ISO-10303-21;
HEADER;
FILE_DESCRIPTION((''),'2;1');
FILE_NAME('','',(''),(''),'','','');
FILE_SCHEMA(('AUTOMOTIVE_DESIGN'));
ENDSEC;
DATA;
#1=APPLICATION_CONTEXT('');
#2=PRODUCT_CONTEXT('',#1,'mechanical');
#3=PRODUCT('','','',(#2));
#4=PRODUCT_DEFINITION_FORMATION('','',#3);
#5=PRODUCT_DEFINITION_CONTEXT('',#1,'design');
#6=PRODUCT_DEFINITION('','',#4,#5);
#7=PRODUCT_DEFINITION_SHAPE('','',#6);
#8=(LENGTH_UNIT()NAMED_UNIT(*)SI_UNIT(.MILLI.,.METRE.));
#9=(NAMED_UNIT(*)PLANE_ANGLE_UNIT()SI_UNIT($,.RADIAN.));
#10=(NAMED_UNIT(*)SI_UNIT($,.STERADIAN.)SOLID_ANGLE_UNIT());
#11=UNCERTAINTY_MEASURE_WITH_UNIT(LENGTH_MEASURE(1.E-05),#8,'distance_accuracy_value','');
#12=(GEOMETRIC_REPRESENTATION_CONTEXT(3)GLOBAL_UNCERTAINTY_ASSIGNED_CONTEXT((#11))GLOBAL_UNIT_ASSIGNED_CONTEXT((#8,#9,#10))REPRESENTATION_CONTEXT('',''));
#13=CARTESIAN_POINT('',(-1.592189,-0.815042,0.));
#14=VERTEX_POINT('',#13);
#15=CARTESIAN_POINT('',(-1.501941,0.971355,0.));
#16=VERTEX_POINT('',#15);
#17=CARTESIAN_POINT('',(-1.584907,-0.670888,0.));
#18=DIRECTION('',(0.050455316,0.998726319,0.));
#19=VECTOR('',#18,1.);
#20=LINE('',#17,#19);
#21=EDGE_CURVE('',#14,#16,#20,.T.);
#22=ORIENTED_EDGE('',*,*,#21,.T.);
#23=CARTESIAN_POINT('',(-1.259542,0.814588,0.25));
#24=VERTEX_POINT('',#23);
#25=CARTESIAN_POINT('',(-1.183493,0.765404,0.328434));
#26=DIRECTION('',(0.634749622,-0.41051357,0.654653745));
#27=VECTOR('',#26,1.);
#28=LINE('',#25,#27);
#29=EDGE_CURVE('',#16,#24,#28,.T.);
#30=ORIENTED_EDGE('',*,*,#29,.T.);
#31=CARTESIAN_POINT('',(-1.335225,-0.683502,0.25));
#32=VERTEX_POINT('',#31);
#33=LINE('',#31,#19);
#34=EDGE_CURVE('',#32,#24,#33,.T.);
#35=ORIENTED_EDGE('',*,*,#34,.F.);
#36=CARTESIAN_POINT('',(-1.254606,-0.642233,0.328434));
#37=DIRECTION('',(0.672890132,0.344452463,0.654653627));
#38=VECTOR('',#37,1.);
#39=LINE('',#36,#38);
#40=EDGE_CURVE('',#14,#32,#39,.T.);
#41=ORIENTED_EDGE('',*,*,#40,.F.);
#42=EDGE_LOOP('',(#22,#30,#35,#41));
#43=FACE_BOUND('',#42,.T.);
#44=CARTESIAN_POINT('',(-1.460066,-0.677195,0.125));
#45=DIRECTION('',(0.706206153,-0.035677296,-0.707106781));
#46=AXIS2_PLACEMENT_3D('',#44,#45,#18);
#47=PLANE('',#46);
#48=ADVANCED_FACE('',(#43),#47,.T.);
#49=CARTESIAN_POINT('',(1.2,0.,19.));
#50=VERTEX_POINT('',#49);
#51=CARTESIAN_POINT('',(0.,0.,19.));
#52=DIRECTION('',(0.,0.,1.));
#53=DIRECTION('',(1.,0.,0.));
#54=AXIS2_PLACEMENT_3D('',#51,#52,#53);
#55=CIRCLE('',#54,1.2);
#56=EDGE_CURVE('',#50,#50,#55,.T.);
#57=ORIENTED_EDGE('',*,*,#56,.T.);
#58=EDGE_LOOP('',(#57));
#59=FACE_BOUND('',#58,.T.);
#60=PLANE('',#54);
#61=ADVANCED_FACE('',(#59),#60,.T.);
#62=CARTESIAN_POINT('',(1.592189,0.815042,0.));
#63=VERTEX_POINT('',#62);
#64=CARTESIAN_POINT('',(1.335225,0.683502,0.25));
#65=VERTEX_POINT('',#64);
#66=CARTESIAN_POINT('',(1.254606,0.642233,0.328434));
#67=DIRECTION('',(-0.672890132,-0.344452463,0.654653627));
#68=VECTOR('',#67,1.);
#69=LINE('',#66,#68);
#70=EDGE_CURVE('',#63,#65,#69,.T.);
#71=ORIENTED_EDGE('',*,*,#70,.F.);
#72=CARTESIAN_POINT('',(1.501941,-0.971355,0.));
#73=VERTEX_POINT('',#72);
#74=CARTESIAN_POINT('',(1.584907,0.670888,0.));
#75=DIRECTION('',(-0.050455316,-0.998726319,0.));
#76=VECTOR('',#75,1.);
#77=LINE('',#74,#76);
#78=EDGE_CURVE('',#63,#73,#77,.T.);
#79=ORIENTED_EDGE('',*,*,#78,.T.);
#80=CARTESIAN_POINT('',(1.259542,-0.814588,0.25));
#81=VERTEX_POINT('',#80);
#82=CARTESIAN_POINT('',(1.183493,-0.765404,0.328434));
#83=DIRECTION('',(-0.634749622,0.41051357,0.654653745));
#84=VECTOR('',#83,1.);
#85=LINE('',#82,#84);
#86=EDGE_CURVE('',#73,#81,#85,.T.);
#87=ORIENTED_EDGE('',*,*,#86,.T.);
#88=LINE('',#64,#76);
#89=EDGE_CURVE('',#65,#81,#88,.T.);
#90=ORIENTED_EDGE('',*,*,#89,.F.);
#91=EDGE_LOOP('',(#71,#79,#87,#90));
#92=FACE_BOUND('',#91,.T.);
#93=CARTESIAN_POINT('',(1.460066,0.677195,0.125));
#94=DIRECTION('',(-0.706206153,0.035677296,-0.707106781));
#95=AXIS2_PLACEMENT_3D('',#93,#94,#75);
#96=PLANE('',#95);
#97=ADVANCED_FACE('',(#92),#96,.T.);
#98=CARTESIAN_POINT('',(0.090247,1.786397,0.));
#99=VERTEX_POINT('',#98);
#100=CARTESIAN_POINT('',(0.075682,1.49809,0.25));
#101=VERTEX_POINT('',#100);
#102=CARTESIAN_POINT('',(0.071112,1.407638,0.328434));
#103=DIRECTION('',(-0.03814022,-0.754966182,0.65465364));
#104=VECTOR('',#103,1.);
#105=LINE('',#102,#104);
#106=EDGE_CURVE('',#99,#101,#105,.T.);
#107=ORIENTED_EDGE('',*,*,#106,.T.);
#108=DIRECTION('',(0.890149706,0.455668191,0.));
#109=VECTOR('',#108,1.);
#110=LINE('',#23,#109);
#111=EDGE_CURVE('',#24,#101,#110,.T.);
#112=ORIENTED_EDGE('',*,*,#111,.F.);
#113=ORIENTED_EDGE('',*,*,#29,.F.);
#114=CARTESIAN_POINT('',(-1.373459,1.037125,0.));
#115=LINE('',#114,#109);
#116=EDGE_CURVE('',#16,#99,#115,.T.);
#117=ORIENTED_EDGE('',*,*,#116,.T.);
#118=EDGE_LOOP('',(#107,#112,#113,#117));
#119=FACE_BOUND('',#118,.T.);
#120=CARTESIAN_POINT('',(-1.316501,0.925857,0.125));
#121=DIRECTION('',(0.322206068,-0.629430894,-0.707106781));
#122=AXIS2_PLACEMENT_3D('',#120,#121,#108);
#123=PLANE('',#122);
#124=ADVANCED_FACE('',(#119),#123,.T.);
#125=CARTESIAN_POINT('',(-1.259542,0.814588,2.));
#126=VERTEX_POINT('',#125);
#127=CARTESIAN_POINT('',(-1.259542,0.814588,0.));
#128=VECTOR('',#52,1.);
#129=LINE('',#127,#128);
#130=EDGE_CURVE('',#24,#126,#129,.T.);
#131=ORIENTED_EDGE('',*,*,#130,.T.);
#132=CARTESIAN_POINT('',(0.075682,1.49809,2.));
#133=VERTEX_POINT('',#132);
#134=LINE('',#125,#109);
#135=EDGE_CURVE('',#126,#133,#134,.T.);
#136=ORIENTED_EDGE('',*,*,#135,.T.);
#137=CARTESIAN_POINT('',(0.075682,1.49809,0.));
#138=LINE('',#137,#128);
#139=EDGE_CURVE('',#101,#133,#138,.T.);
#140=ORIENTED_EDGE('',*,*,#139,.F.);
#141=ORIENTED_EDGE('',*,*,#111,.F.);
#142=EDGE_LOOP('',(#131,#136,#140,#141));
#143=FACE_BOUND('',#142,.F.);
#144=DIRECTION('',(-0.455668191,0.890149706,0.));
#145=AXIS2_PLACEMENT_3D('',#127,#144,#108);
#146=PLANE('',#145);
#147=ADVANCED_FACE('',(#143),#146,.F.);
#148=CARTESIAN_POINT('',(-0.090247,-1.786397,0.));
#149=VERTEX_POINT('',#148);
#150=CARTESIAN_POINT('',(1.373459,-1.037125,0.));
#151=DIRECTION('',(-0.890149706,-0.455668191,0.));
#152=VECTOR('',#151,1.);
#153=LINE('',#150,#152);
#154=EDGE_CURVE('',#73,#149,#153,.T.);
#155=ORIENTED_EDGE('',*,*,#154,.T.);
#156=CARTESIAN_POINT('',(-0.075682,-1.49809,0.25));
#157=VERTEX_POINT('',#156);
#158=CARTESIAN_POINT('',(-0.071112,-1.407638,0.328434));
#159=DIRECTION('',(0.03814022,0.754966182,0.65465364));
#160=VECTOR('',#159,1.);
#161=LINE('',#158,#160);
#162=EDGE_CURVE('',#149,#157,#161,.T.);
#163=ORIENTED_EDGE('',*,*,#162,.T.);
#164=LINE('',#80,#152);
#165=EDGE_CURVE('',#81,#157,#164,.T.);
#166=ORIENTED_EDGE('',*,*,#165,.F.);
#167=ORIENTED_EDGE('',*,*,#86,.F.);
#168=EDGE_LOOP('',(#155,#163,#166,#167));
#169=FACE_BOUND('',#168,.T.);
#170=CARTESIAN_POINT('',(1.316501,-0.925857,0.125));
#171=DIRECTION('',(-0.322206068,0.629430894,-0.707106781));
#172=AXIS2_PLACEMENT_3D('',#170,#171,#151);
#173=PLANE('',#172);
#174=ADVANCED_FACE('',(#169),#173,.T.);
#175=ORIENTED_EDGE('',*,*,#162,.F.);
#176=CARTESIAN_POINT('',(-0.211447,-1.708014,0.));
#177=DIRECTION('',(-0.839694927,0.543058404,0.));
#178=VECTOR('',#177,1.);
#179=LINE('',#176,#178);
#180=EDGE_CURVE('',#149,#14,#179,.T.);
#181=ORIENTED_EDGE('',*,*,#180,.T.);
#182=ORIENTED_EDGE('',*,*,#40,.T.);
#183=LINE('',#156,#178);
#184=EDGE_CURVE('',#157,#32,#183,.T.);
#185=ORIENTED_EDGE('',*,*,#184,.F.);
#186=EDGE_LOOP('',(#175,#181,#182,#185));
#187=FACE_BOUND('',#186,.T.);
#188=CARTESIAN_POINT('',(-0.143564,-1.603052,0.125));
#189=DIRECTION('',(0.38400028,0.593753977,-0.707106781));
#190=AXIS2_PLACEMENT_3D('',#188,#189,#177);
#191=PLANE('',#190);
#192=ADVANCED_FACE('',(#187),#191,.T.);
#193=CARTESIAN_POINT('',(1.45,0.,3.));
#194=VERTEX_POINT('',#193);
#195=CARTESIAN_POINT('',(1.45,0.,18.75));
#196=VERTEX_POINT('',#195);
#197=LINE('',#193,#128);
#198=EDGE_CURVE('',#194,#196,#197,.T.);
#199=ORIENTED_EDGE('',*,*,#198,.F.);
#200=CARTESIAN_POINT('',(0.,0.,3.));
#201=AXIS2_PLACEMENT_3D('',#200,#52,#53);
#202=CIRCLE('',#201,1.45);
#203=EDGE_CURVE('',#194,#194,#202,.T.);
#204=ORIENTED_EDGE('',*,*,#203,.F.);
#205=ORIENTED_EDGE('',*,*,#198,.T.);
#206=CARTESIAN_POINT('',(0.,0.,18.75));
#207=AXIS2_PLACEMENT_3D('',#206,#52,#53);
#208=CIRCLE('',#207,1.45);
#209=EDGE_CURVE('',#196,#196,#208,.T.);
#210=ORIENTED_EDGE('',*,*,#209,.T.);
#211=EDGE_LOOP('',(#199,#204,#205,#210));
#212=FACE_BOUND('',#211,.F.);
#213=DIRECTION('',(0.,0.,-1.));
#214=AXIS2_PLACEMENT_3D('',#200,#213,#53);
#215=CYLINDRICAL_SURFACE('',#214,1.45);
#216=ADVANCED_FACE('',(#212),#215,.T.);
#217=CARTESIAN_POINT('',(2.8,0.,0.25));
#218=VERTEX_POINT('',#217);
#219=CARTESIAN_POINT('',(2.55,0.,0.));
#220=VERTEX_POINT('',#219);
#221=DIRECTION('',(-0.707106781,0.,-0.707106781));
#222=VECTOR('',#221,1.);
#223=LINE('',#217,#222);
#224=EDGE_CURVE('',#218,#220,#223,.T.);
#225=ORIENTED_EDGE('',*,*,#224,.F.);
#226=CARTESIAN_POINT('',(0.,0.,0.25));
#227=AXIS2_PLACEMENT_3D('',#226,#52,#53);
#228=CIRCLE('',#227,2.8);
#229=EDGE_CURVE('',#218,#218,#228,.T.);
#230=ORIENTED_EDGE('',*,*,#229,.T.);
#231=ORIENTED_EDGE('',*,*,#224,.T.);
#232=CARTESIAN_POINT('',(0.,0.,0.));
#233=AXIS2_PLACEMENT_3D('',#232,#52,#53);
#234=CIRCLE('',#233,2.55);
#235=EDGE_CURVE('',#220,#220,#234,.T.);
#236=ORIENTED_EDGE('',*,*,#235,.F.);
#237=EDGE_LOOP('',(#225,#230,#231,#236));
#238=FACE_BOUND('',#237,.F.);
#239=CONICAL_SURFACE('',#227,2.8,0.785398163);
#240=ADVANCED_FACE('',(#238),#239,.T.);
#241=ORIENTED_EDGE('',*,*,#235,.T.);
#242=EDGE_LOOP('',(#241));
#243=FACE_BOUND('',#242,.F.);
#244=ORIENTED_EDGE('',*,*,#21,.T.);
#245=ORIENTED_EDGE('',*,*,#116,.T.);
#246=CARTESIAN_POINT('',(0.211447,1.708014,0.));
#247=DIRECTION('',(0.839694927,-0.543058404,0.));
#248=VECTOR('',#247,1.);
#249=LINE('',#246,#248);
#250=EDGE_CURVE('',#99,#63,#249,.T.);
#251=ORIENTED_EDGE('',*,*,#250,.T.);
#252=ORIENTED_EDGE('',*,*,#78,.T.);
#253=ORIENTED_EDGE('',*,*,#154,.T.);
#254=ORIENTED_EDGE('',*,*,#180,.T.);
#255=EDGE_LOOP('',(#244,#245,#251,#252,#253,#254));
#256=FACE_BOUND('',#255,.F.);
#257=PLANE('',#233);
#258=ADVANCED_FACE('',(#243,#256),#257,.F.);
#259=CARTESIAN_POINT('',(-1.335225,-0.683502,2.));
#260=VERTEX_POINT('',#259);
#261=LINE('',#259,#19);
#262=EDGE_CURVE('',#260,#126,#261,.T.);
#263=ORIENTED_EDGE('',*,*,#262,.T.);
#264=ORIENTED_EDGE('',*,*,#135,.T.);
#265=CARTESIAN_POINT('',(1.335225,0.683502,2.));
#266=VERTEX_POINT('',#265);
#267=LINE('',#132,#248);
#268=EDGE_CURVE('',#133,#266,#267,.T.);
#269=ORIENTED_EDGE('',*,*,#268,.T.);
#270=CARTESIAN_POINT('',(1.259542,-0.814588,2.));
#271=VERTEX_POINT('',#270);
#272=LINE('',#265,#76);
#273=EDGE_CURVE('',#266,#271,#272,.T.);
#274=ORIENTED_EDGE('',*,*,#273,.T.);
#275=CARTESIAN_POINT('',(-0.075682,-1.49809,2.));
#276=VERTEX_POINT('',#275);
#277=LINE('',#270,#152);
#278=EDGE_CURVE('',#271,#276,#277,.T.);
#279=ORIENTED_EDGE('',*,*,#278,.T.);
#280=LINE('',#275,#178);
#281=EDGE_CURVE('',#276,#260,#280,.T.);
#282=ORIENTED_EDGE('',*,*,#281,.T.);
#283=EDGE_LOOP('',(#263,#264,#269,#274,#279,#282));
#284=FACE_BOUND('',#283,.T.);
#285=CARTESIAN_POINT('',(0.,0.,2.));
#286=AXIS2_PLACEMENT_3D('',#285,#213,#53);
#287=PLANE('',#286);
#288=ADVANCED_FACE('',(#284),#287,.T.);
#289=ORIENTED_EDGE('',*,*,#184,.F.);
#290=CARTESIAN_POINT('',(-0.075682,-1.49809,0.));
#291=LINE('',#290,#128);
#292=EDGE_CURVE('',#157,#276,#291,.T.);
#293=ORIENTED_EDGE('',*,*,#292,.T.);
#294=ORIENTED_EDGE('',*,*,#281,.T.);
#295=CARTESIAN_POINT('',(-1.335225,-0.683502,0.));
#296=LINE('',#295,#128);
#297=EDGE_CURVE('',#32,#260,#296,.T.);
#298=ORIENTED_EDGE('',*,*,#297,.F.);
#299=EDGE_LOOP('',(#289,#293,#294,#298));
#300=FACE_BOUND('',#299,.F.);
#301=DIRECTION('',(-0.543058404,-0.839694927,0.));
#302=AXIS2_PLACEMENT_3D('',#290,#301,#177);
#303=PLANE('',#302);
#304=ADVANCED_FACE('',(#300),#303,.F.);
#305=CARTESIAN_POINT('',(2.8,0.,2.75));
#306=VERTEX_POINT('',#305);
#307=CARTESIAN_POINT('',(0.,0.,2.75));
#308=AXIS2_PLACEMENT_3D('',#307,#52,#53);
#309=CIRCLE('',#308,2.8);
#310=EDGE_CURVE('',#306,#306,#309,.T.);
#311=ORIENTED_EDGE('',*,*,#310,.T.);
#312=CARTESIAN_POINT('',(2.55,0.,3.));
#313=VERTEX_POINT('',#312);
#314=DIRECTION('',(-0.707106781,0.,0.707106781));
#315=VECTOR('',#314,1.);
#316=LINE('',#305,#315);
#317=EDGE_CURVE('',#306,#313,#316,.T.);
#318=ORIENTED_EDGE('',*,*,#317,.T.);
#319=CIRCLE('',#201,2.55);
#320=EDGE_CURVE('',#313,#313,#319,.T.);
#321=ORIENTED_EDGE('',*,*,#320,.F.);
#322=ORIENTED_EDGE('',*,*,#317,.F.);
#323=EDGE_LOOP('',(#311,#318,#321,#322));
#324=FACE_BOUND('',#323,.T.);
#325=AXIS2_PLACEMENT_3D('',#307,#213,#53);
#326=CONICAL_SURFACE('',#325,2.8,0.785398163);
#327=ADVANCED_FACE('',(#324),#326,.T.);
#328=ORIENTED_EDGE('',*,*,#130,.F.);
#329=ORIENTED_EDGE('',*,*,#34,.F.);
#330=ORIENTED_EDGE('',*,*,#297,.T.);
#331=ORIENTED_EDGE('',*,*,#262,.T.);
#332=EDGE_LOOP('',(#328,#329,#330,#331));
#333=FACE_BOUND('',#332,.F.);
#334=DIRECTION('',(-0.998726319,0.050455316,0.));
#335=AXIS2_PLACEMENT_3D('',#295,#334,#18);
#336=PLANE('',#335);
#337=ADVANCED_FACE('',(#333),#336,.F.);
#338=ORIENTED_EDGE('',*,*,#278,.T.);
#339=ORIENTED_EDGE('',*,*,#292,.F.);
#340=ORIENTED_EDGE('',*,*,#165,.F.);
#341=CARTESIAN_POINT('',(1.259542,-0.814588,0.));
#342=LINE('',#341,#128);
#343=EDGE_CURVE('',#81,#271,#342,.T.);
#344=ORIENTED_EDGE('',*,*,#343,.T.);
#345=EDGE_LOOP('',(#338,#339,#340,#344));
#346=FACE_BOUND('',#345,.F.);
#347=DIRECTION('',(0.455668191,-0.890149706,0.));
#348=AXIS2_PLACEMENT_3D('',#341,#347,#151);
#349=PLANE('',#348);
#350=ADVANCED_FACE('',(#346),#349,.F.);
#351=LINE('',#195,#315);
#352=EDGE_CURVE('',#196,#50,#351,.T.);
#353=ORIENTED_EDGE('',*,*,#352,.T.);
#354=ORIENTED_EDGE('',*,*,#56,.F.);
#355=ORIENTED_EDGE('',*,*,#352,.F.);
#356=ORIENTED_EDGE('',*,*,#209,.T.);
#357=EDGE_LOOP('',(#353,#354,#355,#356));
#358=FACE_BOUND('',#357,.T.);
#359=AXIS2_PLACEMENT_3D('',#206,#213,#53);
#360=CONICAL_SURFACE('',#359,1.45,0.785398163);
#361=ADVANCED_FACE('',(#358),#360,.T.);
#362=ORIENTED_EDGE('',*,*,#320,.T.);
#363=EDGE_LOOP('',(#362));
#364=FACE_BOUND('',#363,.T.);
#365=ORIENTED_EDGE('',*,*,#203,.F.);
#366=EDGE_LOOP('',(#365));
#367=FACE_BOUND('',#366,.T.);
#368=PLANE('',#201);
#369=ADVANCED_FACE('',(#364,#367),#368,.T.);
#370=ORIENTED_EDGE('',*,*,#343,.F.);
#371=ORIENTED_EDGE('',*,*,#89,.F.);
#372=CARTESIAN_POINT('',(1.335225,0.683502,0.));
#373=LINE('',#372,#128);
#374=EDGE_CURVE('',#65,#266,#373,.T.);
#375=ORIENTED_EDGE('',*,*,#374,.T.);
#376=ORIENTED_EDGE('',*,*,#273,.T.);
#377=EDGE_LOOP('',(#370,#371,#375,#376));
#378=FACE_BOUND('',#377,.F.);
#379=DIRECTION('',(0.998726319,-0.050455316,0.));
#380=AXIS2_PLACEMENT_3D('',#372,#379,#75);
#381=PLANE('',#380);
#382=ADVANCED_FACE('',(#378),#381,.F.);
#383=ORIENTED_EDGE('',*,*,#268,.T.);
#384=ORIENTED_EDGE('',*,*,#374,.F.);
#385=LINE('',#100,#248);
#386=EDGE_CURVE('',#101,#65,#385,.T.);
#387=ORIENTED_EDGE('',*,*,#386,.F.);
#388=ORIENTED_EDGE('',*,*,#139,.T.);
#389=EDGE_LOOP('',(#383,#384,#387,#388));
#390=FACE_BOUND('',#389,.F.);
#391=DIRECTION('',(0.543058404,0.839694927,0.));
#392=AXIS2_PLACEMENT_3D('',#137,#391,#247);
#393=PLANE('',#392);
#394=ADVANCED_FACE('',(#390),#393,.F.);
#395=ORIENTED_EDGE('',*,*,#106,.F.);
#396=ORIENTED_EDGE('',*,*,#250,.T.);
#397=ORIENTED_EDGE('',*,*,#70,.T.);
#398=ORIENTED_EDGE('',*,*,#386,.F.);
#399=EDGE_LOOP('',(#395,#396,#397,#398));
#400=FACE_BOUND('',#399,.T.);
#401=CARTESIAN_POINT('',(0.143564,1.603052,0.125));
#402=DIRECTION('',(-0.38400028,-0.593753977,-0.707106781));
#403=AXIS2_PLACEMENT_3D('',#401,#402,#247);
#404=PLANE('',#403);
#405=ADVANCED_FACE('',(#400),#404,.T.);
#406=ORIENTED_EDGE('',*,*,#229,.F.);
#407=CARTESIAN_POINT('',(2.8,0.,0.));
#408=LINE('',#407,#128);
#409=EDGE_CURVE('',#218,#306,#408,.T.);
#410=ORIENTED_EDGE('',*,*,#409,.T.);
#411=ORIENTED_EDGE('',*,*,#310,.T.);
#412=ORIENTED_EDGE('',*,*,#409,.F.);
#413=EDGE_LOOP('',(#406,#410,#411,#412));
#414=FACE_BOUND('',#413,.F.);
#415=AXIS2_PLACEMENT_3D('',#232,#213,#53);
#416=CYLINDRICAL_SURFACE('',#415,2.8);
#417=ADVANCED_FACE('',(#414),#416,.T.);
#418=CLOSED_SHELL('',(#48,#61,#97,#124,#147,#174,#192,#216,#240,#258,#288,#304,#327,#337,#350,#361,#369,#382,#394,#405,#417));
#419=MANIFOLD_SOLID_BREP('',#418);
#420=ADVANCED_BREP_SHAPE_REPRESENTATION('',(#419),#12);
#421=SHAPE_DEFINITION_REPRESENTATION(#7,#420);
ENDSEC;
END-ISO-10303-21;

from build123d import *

# Parameters (mm, degrees)
SKETCH_R     = 2.8
PAD_DEPTH    = 3
SKETCH001_R  = 1.45
PAD001_DEPTH = 16
POCKET_DEPTH = 2
CHAMFER_SIZE = 0.25


with BuildPart() as part:
    # Sketch → Pad (new body)
    with BuildSketch(Plane.XY):
        Circle(SKETCH_R)
    extrude(amount=PAD_DEPTH)

    # Sketch001 (on Face3 of Pad) → Pad001 (join)
    with BuildSketch(Plane.XY.offset(3)):
        Circle(SKETCH001_R)
    extrude(amount=PAD001_DEPTH)

    # Sketch002 (on Face2 of Pad001) → Pocket (cut)
    with BuildSketch(Plane(origin=(0, 0, 0), x_dir=(1, 0, 0), z_dir=(0, 0, -1))):
        Polygon((1.259542, 0.814588), (-0.075682, 1.49809), (-1.335225, 0.683502), (-1.259542, -0.814588), (0.075682, -1.49809), (1.335225, -0.683502), align=None)
    extrude(amount=-POCKET_DEPTH, mode=Mode.SUBTRACT)

    # Chamfer
    chamfer_edges = [part.edges().sort_by_distance(p)[0] for p in [
        (-2.8, 0, 3),
        (-2.8, 0, 0),
        (1.297384, -0.065543, 0),
        (0.705454, 1.090796, 0),
        (-0.59193, 1.156339, 0),
        (-1.297384, 0.065543, 0),
        (-0.705454, -1.090796, 0),
        (0.59193, -1.156339, 0),
        (-1.45, 0, 19),
    ]]
    chamfer(chamfer_edges, length=CHAMFER_SIZE)


solid = part.part
